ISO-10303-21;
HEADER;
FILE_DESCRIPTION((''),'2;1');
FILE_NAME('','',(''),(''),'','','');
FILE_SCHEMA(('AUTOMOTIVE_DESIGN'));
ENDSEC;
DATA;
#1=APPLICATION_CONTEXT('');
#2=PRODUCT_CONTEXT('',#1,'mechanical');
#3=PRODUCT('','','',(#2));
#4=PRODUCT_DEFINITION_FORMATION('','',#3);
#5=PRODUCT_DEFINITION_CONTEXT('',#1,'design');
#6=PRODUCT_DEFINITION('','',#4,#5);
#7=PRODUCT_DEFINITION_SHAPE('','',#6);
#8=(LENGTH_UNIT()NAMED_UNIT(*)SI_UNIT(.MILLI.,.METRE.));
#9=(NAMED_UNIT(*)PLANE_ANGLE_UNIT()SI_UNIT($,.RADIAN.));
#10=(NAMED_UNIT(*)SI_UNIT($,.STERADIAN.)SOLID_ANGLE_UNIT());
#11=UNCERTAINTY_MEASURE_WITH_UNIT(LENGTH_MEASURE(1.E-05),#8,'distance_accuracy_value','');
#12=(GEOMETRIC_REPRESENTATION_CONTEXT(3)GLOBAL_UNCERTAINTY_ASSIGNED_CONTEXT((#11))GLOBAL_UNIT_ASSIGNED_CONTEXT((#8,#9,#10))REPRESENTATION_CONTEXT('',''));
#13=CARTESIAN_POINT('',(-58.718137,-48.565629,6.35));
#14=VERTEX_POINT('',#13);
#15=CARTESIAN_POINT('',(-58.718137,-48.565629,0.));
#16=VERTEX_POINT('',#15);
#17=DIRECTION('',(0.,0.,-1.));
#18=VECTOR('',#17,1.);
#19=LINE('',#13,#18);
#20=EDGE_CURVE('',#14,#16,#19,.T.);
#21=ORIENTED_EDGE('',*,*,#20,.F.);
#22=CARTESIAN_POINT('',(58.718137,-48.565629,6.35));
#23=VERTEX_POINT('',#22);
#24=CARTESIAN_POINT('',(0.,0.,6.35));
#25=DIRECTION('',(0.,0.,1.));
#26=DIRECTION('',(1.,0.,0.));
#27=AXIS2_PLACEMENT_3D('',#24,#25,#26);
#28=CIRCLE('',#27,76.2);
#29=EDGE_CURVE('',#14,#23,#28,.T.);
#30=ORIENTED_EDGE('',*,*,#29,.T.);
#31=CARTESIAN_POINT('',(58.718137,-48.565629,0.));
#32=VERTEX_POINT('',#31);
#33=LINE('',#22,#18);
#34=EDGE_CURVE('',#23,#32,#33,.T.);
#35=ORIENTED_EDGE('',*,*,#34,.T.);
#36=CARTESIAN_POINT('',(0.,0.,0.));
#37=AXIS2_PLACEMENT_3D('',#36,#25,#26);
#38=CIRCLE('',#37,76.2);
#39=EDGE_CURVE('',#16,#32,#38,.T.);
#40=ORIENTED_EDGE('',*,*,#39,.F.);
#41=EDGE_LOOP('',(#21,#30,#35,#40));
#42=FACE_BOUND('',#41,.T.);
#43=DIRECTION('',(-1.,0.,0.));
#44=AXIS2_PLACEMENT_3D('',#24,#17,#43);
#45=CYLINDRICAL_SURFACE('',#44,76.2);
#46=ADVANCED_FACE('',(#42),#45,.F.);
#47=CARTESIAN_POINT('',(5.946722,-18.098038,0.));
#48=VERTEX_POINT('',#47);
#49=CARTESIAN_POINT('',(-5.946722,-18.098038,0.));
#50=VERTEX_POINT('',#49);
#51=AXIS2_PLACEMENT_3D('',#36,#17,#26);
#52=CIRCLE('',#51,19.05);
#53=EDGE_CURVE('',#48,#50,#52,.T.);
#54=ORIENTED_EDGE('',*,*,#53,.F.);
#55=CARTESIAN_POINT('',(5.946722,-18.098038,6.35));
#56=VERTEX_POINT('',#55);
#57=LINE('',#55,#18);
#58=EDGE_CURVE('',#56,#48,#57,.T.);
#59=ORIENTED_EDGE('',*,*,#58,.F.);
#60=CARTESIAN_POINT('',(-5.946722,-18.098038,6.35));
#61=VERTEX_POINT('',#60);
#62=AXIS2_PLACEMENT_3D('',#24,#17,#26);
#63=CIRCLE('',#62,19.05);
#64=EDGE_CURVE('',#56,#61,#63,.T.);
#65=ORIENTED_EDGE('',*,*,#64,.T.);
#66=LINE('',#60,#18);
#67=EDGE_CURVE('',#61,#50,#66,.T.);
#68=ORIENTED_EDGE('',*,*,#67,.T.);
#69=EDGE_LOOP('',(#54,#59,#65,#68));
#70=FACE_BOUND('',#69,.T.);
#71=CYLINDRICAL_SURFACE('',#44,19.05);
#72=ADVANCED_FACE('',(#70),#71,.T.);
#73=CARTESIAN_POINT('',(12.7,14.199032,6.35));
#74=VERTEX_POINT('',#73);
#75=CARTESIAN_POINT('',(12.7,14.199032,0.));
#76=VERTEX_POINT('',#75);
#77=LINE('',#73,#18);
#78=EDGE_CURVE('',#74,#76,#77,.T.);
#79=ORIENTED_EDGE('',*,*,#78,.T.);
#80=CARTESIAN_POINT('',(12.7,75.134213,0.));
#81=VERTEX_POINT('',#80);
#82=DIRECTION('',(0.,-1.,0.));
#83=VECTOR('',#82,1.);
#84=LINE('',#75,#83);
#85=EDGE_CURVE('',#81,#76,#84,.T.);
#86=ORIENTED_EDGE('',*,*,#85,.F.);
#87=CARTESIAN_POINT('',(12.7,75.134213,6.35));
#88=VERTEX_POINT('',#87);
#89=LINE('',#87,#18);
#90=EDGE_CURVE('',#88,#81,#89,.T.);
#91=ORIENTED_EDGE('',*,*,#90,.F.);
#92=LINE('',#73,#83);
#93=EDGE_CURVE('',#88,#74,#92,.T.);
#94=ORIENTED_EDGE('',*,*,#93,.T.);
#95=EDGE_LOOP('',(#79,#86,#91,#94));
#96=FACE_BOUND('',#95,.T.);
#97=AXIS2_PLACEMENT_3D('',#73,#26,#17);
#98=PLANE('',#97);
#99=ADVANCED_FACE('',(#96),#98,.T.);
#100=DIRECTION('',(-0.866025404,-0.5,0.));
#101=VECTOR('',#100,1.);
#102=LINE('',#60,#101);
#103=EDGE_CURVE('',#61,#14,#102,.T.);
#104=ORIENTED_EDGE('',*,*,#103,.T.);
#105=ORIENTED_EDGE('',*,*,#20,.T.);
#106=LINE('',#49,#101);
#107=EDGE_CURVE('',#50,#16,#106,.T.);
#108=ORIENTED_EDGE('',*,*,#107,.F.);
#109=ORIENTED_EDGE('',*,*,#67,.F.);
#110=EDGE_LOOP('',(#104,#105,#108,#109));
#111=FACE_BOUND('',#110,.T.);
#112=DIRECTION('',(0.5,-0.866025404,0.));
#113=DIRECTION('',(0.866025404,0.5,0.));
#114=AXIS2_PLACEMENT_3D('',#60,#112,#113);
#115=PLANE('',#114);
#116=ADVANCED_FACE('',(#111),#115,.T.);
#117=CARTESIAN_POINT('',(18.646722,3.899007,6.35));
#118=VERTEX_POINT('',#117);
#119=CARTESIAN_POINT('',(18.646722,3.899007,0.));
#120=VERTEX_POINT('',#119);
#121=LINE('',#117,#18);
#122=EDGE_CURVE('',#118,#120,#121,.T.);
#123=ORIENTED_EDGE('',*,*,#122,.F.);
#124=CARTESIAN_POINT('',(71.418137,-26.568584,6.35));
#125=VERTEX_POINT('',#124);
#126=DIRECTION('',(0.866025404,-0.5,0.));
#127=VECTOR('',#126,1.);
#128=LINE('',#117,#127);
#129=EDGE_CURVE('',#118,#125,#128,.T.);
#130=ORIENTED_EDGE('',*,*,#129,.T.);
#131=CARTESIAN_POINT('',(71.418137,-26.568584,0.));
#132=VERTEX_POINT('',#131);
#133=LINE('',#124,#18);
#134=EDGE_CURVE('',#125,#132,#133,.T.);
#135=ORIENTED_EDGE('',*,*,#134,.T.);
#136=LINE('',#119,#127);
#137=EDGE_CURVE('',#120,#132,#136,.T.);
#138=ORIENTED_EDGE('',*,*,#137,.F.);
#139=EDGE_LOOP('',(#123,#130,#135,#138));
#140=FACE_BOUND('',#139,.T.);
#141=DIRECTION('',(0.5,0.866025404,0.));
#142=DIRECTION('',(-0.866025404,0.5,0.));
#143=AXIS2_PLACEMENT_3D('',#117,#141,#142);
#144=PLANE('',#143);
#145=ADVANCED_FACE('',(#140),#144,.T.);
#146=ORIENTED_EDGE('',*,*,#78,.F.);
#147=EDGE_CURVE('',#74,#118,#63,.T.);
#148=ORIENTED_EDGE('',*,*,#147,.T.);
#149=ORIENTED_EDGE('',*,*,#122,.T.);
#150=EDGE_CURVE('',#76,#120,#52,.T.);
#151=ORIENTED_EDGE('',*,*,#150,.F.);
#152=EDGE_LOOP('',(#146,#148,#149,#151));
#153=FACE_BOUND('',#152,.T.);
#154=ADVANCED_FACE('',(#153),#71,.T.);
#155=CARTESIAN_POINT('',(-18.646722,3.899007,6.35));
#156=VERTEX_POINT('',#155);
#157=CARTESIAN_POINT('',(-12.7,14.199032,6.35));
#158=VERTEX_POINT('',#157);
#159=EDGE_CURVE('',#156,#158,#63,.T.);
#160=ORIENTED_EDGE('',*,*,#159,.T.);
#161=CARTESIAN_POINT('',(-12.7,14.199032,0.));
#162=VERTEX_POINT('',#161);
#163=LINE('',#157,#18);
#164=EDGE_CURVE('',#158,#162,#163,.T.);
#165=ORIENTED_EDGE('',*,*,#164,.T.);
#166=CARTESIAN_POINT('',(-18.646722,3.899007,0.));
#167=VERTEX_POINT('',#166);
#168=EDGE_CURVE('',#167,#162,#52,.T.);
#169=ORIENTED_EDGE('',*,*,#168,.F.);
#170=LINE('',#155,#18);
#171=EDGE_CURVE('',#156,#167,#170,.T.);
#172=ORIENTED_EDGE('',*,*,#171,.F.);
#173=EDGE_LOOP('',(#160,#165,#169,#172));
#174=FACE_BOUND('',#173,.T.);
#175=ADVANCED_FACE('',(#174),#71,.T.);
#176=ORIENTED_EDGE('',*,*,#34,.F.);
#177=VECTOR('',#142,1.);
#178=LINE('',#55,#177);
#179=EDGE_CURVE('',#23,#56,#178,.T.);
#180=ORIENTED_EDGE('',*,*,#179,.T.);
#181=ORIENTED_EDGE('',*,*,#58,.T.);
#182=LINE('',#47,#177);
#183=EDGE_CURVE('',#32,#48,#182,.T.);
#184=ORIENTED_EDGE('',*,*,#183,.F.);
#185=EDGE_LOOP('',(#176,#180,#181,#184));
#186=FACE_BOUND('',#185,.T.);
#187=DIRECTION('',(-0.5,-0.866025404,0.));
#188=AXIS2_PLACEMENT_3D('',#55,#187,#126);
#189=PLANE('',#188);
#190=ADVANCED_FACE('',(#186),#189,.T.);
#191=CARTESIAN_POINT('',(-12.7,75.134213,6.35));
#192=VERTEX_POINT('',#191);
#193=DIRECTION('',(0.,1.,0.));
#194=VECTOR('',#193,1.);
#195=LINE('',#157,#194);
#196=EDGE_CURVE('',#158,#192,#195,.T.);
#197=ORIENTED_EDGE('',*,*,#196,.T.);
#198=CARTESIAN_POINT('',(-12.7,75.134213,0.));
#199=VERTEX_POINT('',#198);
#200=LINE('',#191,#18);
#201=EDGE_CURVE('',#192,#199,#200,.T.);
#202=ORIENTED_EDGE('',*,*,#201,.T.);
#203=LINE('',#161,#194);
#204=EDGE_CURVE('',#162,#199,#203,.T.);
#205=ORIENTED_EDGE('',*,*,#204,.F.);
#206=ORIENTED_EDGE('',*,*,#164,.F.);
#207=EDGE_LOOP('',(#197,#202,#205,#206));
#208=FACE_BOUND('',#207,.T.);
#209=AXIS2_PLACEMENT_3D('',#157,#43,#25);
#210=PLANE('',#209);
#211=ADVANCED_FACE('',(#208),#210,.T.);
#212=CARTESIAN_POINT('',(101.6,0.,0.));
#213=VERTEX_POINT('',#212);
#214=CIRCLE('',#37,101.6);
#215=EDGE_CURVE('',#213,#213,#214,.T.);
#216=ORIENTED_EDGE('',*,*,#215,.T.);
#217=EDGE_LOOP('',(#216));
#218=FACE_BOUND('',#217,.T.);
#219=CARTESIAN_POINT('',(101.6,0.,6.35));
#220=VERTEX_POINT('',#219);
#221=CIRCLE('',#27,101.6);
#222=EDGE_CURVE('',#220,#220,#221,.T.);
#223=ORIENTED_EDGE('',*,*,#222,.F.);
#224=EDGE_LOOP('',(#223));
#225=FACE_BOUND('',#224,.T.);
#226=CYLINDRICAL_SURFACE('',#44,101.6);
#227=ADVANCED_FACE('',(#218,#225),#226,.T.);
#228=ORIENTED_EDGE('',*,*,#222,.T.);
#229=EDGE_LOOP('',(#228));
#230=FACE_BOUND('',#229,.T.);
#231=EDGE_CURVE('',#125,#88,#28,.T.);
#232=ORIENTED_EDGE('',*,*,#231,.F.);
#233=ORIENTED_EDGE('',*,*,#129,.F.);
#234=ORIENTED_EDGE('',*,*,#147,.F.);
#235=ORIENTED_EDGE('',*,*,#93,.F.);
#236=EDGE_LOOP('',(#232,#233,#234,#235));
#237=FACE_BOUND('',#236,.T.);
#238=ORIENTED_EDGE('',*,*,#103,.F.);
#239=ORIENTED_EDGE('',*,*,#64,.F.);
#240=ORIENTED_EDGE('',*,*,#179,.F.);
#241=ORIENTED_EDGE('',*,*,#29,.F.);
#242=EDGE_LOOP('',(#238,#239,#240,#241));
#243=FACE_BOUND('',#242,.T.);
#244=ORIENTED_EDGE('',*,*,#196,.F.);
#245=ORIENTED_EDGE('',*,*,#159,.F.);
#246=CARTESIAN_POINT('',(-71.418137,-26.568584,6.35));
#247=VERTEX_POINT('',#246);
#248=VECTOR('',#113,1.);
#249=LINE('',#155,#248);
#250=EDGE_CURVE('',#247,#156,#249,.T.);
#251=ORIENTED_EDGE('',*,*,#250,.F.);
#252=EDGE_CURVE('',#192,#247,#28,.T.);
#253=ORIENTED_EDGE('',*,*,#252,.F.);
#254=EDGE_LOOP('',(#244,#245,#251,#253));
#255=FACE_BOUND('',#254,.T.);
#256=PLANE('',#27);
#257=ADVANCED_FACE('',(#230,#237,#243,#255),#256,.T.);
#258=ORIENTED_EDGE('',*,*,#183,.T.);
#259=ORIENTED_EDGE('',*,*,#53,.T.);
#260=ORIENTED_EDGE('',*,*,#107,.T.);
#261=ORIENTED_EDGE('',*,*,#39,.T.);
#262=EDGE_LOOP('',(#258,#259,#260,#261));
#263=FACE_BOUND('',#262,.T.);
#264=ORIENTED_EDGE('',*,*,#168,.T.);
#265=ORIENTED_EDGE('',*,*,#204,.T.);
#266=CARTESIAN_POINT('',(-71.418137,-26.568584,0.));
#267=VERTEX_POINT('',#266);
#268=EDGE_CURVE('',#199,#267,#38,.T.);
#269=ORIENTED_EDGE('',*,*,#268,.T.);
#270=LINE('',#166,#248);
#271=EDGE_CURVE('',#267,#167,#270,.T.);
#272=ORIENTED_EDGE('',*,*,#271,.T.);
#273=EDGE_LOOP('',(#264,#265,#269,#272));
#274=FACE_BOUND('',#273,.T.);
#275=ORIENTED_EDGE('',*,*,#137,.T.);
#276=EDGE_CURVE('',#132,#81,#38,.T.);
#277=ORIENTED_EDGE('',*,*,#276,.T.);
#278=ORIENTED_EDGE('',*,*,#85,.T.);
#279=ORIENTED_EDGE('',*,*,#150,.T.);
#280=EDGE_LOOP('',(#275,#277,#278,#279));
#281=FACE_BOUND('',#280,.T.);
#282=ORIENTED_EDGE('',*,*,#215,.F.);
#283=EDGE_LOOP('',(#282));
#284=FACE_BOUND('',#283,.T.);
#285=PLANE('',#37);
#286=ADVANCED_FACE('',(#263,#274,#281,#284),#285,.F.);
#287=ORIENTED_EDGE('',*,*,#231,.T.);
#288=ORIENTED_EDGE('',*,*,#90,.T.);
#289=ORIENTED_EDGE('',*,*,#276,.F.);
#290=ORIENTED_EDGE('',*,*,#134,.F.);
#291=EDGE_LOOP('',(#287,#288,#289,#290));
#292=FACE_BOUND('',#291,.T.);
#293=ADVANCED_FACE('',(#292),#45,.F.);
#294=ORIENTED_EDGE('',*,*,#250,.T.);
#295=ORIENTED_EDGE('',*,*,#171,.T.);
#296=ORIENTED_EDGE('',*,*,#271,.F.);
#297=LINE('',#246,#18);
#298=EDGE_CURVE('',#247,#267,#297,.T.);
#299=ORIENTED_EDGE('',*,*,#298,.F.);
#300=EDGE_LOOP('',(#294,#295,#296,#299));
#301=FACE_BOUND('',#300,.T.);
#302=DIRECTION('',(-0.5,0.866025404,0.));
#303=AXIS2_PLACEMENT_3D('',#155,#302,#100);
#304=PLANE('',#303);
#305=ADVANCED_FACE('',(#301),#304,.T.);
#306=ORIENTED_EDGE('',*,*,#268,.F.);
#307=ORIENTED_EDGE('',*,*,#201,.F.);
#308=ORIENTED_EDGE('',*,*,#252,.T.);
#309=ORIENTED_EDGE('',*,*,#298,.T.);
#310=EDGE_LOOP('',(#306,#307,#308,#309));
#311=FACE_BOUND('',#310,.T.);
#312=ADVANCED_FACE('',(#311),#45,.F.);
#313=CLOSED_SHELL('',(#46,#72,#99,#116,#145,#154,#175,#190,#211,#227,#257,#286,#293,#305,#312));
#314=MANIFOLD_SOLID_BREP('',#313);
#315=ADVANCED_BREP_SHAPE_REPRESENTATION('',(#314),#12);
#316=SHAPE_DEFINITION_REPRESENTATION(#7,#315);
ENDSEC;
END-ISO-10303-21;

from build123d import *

# Parameters (mm, degrees)
SKETCH1_R           = 101.6
BOSS_EXTRUDE1_DEPTH = 6.35


with BuildPart() as part:
    # Sketch1 → Boss-Extrude1 (new body)
    with BuildSketch(Plane.XY):
        Circle(SKETCH1_R)
        with BuildLine():
            Line((-12.7, 14.199031657), (-12.7, 75.134213245))
            ThreePointArc((-12.7, 75.134213245), (-65.991135768, 38.1), (-71.418137364, -26.568583995))
            Line((-71.418137364, -26.568583995), (-18.646722124, 3.8990068))
            ThreePointArc((-18.646722124, 3.8990068), (-16.497783942, 9.525), (-12.7, 14.199031657))
        make_face(mode=Mode.SUBTRACT)
        with BuildLine():
            Line((12.7, 14.199031657), (12.7, 75.134213245))
            ThreePointArc((12.7, 75.134213245), (65.991135768, 38.1), (71.418137364, -26.568583995))
            Line((71.418137364, -26.568583995), (18.646722124, 3.8990068))
            ThreePointArc((18.646722124, 3.8990068), (16.497783942, 9.525), (12.7, 14.199031657))
        make_face(mode=Mode.SUBTRACT)
        with BuildLine():
            Line((5.946722124, -18.098038457), (58.718137364, -48.565629251))
            ThreePointArc((58.718137364, -48.565629251), (0, -76.2), (-58.718137364, -48.565629251))
            Line((-58.718137364, -48.565629251), (-5.946722124, -18.098038457))
            ThreePointArc((-5.946722124, -18.098038457), (0, -19.05), (5.946722124, -18.098038457))
        make_face(mode=Mode.SUBTRACT)
    extrude(amount=BOSS_EXTRUDE1_DEPTH)


solid = part.part
